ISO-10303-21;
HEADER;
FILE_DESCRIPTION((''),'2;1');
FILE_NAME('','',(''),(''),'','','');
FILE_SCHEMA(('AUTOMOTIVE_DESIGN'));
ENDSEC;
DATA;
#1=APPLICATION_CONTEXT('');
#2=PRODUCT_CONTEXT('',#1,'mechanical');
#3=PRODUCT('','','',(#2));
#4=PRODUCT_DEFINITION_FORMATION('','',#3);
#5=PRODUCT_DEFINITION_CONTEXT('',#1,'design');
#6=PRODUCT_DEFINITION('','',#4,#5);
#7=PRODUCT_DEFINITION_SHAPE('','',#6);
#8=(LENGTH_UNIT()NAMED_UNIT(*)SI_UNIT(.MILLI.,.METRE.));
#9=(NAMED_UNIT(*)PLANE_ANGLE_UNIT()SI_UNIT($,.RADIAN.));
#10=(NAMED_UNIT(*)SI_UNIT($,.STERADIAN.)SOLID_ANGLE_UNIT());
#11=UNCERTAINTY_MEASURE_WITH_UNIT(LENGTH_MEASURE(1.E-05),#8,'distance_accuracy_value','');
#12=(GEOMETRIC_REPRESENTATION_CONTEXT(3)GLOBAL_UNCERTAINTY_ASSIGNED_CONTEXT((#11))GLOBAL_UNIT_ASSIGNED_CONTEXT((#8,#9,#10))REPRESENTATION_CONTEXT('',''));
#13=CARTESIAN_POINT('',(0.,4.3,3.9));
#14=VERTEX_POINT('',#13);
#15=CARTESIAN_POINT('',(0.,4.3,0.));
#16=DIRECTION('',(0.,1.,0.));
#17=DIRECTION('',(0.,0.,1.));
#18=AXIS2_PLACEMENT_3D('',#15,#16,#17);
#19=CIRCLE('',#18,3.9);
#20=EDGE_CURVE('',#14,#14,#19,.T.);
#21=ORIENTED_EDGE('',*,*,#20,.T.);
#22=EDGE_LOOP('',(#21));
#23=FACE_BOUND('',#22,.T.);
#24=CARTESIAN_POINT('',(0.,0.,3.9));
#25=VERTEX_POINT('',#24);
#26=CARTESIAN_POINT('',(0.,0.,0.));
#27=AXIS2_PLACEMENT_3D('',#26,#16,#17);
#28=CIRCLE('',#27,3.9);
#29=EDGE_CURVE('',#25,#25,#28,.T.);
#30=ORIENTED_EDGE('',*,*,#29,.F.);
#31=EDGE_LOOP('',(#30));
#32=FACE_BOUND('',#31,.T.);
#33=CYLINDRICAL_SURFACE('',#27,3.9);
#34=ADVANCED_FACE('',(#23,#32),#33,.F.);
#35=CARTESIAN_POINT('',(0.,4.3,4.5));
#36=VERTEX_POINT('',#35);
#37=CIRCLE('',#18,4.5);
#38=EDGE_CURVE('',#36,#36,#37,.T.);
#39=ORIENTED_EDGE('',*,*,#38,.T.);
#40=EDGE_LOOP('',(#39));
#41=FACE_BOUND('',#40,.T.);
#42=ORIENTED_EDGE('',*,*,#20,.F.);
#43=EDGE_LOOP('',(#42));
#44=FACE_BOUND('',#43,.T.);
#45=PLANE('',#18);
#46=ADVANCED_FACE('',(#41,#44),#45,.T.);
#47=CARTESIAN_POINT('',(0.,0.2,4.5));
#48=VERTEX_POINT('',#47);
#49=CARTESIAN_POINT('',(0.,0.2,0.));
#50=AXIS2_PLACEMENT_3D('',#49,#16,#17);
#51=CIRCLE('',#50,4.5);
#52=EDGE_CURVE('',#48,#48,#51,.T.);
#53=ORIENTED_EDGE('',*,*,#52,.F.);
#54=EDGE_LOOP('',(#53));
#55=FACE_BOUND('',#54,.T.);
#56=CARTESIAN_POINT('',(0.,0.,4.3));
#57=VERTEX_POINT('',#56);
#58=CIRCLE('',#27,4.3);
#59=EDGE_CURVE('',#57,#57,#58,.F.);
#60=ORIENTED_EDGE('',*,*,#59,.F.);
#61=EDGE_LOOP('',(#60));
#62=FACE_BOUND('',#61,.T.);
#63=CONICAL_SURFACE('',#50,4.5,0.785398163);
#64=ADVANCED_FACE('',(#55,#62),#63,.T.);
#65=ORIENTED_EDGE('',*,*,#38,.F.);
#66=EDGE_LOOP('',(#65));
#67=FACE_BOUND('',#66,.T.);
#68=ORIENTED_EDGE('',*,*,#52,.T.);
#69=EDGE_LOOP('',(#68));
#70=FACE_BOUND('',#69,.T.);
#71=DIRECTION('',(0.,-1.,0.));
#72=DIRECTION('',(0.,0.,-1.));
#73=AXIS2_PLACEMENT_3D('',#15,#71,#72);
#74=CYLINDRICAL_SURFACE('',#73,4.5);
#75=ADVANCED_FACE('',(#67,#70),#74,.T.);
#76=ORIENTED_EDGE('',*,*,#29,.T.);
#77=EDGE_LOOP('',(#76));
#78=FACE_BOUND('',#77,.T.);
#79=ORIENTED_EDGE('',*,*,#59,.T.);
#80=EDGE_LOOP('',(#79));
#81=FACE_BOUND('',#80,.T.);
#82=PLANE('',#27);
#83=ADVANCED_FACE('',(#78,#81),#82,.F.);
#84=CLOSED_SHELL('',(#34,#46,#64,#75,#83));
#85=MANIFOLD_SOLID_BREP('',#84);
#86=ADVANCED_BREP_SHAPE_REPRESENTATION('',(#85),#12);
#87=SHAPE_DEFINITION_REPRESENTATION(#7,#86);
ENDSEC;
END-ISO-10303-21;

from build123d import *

# Parameters (mm, degrees)
SKETCH1_R           = 4.5
BOSS_EXTRUDE1_DEPTH = 4.3
SKETCH2_R           = 3.9
CUT_EXTRUDE1_DEPTH  = 5.3
CHAMFER1_SIZE       = 0.2


with BuildPart() as part:
    # Sketch1 → Boss-Extrude1 (new body)
    with BuildSketch(Plane(origin=(0, 0, 0), x_dir=(1, 0, 0), z_dir=(0, 1, 0))):
        Circle(SKETCH1_R)
    extrude(amount=BOSS_EXTRUDE1_DEPTH)

    # Sketch2 → Cut-Extrude1 (cut, through all)
    with BuildSketch(Plane(origin=(0, 4.3, 0), x_dir=(1, 0, 0), z_dir=(0, 1, 0))):
        Circle(SKETCH2_R)
    extrude(amount=-CUT_EXTRUDE1_DEPTH, mode=Mode.SUBTRACT)

    # Chamfer1
    chamfer1_edges = [part.edges().sort_by_distance(p)[0] for p in [
        (-4.5, 0, 0),
    ]]
    chamfer(chamfer1_edges, length=CHAMFER1_SIZE)


solid = part.part
